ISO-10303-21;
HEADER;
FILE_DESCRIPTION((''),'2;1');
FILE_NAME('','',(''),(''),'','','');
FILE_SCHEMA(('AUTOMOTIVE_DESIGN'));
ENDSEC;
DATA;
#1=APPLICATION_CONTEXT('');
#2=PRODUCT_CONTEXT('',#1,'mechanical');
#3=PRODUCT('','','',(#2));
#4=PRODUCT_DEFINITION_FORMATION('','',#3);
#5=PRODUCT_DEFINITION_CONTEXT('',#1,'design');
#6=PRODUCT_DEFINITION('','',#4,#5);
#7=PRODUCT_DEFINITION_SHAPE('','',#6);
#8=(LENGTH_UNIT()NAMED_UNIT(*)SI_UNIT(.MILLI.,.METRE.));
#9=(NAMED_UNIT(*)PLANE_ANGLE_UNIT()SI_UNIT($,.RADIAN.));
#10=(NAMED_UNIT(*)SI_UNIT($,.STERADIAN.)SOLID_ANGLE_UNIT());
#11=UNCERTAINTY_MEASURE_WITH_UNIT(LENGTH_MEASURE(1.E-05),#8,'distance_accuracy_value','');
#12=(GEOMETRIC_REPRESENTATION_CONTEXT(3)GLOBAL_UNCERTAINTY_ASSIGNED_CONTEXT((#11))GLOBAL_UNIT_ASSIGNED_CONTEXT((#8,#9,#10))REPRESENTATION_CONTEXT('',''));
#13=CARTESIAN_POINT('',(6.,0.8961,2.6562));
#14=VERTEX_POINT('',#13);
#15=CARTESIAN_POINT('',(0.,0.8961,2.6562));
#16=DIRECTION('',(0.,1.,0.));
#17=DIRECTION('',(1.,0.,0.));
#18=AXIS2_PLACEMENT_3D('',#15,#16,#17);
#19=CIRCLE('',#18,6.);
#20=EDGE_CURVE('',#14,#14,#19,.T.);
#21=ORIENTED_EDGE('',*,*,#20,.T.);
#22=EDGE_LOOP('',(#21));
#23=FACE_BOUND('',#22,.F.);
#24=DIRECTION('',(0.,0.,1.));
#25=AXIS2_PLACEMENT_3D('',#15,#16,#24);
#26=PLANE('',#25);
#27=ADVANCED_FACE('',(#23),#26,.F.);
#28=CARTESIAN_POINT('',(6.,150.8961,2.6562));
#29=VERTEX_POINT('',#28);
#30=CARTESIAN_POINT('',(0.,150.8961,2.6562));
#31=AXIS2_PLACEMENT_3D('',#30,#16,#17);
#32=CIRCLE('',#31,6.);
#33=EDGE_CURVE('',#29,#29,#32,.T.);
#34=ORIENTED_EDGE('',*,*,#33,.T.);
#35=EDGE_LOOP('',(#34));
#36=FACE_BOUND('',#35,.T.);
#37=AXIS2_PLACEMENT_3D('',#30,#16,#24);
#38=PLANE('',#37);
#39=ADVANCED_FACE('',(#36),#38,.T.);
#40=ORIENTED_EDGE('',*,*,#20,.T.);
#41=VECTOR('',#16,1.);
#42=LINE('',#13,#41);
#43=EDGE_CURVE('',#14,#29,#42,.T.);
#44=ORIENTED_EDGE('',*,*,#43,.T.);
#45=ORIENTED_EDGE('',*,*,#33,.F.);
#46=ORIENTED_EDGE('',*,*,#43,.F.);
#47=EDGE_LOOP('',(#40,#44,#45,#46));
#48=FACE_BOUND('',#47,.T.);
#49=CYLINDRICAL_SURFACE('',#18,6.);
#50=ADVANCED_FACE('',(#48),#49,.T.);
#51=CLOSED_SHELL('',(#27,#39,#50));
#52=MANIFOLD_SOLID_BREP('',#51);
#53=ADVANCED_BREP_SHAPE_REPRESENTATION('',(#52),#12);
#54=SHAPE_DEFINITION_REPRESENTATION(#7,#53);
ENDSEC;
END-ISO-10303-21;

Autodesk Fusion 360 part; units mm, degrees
sketch "Ligne 3D" plane through (0, 0, 0) normal (1, 0, 0) x (0, 0, -1)
  line L0 (-2.6562, 0.8961) -> (-2.6562, 150.8961)
ref_plane "WorkPlane1" through (0, 0.8961, 2.6562) normal (0, 1, 0) x (-1, 0, 0)
sketch "Section" plane through (0, 0.8961, 2.6562) normal (0, 1, 0) x (1, 0, 0)
  circle A0 centre (0, 0) radius 6
  dimension "d3" = 12
sweep "Sweep1" add profiles "Section" path "Ligne 3D" along L0 section 1
